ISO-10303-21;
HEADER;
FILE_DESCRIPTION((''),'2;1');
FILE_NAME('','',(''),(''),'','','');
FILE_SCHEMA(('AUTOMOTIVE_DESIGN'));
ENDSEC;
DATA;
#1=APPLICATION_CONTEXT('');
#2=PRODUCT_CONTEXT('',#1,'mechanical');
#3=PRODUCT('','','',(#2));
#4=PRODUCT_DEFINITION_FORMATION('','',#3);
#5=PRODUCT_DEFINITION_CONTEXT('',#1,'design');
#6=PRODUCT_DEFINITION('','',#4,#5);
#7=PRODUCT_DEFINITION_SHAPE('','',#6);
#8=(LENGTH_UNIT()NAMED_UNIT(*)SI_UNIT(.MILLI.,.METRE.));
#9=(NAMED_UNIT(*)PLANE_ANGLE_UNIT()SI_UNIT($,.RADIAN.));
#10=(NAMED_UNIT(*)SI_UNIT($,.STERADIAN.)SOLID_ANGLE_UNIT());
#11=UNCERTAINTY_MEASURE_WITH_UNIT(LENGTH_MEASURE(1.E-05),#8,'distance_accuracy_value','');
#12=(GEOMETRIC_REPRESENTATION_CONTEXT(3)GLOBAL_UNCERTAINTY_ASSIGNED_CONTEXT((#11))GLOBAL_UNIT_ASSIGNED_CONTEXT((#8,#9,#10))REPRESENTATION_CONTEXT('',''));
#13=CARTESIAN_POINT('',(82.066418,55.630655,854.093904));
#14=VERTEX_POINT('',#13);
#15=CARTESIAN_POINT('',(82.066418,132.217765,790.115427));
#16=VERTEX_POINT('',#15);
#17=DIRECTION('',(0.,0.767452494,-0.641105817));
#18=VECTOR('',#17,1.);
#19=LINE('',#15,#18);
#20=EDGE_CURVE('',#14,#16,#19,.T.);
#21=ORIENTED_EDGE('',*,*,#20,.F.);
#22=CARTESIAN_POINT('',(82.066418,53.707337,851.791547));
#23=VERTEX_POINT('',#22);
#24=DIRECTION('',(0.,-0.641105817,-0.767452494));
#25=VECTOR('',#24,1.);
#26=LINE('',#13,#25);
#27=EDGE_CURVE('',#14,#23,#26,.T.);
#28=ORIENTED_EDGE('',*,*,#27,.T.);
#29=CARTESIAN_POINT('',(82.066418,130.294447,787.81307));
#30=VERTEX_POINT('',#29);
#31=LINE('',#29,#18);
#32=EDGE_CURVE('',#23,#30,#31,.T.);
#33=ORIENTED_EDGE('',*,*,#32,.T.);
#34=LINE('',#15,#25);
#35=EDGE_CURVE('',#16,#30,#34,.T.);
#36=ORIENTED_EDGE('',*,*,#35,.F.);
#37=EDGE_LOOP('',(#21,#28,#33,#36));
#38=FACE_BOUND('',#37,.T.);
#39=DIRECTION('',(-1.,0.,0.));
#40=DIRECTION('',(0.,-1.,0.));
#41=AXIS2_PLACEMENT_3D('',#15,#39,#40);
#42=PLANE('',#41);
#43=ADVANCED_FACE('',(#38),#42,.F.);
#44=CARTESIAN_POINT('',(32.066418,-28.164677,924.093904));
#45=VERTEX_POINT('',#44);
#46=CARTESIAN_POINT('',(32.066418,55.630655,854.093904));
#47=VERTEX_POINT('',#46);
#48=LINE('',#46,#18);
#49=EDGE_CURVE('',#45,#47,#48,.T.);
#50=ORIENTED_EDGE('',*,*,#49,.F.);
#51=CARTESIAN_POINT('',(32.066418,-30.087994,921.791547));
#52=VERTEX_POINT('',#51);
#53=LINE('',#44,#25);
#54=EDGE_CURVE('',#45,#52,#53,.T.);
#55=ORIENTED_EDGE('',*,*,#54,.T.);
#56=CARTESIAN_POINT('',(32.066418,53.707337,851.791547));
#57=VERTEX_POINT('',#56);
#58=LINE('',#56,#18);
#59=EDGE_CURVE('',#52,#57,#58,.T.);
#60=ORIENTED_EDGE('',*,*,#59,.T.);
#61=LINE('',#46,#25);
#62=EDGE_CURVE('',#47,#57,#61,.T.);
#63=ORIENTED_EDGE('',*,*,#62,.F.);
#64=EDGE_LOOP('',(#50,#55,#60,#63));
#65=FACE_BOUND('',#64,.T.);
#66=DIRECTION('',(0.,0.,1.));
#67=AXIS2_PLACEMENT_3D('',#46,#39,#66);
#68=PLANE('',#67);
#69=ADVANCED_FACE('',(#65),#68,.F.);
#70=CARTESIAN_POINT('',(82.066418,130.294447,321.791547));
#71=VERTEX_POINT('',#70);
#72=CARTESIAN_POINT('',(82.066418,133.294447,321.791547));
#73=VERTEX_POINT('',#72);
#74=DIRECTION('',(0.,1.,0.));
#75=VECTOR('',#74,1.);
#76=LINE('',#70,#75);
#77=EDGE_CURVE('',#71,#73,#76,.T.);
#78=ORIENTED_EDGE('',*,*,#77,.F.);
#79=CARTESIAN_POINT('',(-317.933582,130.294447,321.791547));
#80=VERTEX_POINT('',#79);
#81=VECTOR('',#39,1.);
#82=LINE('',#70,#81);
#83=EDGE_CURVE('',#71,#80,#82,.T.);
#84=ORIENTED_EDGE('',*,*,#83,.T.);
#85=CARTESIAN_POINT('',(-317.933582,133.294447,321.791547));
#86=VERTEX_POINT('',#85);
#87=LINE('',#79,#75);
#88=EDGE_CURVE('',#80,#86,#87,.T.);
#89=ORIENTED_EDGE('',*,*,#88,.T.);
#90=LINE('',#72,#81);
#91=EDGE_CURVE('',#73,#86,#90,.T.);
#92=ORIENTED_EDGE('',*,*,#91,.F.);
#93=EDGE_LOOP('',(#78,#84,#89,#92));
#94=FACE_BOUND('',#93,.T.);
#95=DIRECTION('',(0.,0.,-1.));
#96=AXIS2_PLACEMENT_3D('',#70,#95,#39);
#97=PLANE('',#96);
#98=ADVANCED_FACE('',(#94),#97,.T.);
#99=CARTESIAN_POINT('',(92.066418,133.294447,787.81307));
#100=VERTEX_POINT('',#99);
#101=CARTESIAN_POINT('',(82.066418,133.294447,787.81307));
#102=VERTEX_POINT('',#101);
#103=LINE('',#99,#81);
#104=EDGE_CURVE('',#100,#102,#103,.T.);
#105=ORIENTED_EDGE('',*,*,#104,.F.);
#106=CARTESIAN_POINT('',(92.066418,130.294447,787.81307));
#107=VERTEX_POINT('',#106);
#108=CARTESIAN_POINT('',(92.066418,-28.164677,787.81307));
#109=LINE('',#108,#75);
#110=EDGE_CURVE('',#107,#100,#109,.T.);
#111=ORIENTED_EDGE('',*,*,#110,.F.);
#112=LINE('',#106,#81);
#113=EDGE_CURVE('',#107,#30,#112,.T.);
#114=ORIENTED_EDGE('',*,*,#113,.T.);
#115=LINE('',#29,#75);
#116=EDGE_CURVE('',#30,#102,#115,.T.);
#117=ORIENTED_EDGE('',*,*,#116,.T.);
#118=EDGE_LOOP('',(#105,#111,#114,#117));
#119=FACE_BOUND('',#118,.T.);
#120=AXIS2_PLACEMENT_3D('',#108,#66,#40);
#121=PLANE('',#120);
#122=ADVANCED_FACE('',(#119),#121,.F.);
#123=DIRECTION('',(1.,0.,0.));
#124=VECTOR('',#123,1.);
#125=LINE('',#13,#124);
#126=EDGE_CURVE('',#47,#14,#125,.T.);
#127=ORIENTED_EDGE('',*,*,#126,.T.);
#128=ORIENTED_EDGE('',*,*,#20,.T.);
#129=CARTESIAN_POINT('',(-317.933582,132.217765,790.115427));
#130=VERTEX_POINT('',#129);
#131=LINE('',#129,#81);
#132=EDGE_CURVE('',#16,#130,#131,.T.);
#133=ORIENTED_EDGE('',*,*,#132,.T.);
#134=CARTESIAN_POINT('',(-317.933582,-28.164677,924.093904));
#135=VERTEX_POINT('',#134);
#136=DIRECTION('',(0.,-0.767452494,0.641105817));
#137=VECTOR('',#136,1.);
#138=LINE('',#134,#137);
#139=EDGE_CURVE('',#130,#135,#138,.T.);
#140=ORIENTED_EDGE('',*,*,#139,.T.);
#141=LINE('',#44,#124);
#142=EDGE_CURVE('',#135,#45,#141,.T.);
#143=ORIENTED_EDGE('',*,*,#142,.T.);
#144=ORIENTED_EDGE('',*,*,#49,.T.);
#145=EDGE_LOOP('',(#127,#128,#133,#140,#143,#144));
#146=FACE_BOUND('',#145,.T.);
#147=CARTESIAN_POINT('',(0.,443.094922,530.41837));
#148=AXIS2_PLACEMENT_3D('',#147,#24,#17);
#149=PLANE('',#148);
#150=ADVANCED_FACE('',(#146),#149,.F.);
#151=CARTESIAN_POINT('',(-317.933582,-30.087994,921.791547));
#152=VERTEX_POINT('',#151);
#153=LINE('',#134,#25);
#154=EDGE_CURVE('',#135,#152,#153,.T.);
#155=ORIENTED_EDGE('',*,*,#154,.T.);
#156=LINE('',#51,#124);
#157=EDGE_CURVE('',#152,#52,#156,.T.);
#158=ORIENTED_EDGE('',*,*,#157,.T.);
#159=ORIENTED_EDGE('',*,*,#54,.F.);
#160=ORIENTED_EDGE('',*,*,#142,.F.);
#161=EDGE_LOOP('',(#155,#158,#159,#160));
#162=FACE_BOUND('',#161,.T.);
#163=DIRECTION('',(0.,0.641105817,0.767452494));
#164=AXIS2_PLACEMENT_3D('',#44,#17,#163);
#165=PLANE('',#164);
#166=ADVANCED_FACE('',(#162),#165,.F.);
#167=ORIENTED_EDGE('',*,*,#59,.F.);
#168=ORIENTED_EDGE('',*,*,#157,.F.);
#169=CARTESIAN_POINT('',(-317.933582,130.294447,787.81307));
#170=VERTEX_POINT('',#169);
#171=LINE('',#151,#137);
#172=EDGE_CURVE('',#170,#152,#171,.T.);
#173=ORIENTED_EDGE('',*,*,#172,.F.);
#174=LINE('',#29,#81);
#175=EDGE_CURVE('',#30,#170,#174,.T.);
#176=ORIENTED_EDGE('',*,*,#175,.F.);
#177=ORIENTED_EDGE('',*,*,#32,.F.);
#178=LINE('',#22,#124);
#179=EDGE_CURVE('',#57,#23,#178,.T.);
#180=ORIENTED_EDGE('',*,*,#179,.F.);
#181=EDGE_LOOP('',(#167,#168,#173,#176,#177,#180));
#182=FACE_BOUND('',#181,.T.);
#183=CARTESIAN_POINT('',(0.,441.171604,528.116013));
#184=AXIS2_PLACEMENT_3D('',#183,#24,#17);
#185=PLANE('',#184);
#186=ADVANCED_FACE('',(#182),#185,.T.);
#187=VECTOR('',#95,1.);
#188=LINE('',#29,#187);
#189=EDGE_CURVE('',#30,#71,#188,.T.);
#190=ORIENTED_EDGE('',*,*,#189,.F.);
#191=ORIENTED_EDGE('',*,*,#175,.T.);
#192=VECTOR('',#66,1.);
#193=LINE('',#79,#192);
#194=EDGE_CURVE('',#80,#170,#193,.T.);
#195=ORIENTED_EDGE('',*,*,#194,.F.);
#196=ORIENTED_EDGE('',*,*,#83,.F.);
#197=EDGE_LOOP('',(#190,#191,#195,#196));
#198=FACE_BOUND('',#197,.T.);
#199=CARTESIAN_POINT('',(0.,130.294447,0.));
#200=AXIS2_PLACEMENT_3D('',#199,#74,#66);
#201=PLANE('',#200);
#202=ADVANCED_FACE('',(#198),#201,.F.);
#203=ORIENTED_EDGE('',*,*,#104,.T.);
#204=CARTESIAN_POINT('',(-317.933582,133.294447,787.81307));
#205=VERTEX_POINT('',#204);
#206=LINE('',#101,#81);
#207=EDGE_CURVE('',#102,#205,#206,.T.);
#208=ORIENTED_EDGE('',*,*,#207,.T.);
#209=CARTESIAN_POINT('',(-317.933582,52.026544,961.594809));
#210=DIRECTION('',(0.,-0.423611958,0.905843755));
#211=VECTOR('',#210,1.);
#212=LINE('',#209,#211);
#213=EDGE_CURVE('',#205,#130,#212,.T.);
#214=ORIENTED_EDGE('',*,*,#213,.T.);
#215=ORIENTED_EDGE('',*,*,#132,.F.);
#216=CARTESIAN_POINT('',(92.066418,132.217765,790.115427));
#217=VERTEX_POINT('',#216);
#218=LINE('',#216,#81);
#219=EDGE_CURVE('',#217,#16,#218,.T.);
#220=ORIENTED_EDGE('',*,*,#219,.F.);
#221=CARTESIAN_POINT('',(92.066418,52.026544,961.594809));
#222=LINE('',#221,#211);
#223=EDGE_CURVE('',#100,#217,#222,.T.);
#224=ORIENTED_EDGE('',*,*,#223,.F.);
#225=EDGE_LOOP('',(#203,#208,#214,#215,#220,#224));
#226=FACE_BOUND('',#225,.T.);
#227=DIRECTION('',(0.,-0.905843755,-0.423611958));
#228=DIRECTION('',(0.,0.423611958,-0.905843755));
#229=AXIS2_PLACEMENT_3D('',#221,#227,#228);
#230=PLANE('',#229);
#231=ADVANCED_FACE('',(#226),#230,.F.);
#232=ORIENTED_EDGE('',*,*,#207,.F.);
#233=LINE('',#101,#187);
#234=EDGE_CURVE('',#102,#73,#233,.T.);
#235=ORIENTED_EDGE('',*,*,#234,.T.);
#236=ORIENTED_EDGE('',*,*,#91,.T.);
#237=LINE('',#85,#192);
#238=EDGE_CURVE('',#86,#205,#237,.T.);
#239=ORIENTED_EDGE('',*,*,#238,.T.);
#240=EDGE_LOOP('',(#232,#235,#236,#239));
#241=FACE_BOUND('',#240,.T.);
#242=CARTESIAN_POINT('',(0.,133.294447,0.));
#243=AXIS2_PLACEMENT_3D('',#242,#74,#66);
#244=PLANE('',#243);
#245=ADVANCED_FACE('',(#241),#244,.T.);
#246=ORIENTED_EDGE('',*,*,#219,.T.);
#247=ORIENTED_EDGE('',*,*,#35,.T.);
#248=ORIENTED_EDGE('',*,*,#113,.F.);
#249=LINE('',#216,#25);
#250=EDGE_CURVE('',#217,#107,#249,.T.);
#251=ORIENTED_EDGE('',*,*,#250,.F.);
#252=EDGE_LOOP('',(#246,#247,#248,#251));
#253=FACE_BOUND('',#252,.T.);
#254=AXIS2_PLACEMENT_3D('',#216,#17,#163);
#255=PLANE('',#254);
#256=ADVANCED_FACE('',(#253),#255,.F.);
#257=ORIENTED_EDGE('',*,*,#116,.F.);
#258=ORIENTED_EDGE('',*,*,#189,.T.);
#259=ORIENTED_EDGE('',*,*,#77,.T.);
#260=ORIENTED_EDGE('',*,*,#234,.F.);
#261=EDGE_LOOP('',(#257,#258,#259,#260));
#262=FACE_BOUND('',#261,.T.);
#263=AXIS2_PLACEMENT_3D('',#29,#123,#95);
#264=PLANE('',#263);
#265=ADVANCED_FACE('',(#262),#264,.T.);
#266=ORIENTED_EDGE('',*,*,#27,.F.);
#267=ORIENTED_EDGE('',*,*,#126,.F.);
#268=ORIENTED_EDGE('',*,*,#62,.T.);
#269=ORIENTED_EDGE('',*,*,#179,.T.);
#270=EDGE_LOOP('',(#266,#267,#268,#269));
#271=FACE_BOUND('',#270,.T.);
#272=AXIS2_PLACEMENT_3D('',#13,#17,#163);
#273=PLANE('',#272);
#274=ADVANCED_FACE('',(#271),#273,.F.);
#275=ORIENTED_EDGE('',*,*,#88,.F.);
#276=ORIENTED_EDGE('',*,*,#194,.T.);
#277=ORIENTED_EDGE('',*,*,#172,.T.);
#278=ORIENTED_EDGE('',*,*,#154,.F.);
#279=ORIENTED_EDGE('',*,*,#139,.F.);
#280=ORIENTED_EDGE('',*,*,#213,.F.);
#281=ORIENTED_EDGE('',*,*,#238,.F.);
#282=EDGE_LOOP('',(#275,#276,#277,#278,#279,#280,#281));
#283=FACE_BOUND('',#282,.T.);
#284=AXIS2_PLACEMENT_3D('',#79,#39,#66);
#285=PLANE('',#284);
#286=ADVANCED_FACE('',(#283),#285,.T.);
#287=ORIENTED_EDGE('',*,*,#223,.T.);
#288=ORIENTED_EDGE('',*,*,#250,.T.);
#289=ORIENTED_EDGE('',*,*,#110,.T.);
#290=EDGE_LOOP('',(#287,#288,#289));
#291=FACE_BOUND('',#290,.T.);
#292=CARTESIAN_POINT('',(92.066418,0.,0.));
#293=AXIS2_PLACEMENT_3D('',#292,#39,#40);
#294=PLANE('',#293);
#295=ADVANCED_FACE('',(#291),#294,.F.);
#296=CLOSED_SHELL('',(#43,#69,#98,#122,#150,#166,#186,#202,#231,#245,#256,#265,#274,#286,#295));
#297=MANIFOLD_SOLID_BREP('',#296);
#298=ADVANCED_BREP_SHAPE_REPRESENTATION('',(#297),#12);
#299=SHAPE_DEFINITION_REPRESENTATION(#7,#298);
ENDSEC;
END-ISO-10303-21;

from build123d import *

# Parameters (mm, degrees)
BOSS_EXTRUDE1_DEPTH = 3
BOSS_EXTRUDE3_DEPTH = 3
BOSS_EXTRUDE4_START = -10
BOSS_EXTRUDE4_DEPTH = 410


with BuildPart() as part:
    # 3DSketch1 → Boss-Extrude1 (new body)
    with BuildSketch(Plane(origin=(-317.933582459, 130.294447415, 321.791546701), x_dir=(0.6513102781690263, 0, 0.7588115191214388), z_dir=(0, -1, 0))):
        Polygon((0, 0), (353.62249966, 303.524607649), (614.146610928, 0), (260.524111268, -303.524607649), align=None)
    extrude(amount=-BOSS_EXTRUDE1_DEPTH)



with BuildPart() as body_2:
    # Sketch2 → Boss-Extrude3 (new body)
    with BuildSketch(Plane(origin=(0, 441.171604384, 528.116012859), x_dir=(1, 0, 0), z_dir=(0, 0.6411058174679163, 0.7674524941706782))):
        Polygon((-317.933582459, -614.057029458), (-317.933582459, -405.07674329), (82.066417541, -405.07674329), (82.066417541, -504.870685967), (32.066417541, -504.870685967), (32.066417541, -614.057029458), align=None)
    extrude(amount=BOSS_EXTRUDE3_DEPTH)


with BuildPart() as part_1:
    add(part.part)

    add(body_2.part)  # Boss-Extrude4 merges body 2
    # Sketch3 → Boss-Extrude4 (add)
    with BuildSketch(Plane.ZY.offset(327.933582459).offset(BOSS_EXTRUDE4_START)):
        Polygon((787.813069503, 130.294447415), (787.813069503, 133.294447415), (790.115426985, 132.217764868), align=None)
    extrude(amount=-BOSS_EXTRUDE4_DEPTH)


solid = part_1.part
